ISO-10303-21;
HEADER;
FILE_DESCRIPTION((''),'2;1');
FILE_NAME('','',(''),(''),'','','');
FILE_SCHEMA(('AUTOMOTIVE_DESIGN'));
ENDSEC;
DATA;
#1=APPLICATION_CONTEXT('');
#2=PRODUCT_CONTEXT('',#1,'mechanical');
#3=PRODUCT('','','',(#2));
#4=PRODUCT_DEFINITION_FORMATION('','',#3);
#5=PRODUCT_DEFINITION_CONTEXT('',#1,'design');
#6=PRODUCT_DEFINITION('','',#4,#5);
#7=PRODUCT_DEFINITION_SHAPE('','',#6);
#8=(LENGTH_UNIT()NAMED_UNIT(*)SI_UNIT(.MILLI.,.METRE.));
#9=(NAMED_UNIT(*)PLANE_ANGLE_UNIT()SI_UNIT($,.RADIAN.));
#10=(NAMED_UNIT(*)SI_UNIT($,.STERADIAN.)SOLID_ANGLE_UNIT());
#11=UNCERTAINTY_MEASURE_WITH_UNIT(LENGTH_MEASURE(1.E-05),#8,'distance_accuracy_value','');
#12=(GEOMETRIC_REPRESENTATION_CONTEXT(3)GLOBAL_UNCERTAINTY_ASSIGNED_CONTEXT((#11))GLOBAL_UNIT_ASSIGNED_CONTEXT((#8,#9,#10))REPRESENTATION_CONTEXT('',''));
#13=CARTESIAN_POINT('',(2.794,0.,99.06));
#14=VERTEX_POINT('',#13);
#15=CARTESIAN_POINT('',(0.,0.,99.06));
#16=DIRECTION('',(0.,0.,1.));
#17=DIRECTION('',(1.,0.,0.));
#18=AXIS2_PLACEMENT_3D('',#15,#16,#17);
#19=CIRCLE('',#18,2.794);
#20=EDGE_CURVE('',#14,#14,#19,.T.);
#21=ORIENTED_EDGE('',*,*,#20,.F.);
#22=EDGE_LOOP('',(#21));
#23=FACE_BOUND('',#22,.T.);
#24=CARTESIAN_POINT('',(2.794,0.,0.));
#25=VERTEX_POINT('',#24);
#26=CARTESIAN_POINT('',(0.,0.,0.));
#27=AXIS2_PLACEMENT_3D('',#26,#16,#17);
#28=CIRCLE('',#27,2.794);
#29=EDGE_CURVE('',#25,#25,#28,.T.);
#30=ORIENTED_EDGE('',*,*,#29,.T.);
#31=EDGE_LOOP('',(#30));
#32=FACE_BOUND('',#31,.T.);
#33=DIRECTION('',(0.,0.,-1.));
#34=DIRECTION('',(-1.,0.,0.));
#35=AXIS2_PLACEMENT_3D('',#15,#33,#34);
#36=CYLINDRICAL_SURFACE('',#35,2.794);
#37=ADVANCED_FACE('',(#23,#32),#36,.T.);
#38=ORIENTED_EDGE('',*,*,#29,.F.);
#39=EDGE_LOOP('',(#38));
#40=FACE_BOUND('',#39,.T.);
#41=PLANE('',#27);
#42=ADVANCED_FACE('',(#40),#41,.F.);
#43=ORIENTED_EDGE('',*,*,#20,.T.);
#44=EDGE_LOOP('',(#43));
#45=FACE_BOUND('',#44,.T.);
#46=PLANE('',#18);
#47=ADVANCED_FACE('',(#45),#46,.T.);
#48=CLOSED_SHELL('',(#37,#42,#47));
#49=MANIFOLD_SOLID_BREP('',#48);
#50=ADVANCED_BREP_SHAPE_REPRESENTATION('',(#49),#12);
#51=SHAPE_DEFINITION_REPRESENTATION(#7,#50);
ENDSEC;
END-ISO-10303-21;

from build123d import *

# Parameters (mm, degrees)
SKETCH1_R           = 2.794
BOSS_EXTRUDE1_DEPTH = 99.06


with BuildPart() as part:
    # Sketch1 → Boss-Extrude1 (new body)
    with BuildSketch(Plane.XY):
        Circle(SKETCH1_R)
    extrude(amount=BOSS_EXTRUDE1_DEPTH)


solid = part.part
